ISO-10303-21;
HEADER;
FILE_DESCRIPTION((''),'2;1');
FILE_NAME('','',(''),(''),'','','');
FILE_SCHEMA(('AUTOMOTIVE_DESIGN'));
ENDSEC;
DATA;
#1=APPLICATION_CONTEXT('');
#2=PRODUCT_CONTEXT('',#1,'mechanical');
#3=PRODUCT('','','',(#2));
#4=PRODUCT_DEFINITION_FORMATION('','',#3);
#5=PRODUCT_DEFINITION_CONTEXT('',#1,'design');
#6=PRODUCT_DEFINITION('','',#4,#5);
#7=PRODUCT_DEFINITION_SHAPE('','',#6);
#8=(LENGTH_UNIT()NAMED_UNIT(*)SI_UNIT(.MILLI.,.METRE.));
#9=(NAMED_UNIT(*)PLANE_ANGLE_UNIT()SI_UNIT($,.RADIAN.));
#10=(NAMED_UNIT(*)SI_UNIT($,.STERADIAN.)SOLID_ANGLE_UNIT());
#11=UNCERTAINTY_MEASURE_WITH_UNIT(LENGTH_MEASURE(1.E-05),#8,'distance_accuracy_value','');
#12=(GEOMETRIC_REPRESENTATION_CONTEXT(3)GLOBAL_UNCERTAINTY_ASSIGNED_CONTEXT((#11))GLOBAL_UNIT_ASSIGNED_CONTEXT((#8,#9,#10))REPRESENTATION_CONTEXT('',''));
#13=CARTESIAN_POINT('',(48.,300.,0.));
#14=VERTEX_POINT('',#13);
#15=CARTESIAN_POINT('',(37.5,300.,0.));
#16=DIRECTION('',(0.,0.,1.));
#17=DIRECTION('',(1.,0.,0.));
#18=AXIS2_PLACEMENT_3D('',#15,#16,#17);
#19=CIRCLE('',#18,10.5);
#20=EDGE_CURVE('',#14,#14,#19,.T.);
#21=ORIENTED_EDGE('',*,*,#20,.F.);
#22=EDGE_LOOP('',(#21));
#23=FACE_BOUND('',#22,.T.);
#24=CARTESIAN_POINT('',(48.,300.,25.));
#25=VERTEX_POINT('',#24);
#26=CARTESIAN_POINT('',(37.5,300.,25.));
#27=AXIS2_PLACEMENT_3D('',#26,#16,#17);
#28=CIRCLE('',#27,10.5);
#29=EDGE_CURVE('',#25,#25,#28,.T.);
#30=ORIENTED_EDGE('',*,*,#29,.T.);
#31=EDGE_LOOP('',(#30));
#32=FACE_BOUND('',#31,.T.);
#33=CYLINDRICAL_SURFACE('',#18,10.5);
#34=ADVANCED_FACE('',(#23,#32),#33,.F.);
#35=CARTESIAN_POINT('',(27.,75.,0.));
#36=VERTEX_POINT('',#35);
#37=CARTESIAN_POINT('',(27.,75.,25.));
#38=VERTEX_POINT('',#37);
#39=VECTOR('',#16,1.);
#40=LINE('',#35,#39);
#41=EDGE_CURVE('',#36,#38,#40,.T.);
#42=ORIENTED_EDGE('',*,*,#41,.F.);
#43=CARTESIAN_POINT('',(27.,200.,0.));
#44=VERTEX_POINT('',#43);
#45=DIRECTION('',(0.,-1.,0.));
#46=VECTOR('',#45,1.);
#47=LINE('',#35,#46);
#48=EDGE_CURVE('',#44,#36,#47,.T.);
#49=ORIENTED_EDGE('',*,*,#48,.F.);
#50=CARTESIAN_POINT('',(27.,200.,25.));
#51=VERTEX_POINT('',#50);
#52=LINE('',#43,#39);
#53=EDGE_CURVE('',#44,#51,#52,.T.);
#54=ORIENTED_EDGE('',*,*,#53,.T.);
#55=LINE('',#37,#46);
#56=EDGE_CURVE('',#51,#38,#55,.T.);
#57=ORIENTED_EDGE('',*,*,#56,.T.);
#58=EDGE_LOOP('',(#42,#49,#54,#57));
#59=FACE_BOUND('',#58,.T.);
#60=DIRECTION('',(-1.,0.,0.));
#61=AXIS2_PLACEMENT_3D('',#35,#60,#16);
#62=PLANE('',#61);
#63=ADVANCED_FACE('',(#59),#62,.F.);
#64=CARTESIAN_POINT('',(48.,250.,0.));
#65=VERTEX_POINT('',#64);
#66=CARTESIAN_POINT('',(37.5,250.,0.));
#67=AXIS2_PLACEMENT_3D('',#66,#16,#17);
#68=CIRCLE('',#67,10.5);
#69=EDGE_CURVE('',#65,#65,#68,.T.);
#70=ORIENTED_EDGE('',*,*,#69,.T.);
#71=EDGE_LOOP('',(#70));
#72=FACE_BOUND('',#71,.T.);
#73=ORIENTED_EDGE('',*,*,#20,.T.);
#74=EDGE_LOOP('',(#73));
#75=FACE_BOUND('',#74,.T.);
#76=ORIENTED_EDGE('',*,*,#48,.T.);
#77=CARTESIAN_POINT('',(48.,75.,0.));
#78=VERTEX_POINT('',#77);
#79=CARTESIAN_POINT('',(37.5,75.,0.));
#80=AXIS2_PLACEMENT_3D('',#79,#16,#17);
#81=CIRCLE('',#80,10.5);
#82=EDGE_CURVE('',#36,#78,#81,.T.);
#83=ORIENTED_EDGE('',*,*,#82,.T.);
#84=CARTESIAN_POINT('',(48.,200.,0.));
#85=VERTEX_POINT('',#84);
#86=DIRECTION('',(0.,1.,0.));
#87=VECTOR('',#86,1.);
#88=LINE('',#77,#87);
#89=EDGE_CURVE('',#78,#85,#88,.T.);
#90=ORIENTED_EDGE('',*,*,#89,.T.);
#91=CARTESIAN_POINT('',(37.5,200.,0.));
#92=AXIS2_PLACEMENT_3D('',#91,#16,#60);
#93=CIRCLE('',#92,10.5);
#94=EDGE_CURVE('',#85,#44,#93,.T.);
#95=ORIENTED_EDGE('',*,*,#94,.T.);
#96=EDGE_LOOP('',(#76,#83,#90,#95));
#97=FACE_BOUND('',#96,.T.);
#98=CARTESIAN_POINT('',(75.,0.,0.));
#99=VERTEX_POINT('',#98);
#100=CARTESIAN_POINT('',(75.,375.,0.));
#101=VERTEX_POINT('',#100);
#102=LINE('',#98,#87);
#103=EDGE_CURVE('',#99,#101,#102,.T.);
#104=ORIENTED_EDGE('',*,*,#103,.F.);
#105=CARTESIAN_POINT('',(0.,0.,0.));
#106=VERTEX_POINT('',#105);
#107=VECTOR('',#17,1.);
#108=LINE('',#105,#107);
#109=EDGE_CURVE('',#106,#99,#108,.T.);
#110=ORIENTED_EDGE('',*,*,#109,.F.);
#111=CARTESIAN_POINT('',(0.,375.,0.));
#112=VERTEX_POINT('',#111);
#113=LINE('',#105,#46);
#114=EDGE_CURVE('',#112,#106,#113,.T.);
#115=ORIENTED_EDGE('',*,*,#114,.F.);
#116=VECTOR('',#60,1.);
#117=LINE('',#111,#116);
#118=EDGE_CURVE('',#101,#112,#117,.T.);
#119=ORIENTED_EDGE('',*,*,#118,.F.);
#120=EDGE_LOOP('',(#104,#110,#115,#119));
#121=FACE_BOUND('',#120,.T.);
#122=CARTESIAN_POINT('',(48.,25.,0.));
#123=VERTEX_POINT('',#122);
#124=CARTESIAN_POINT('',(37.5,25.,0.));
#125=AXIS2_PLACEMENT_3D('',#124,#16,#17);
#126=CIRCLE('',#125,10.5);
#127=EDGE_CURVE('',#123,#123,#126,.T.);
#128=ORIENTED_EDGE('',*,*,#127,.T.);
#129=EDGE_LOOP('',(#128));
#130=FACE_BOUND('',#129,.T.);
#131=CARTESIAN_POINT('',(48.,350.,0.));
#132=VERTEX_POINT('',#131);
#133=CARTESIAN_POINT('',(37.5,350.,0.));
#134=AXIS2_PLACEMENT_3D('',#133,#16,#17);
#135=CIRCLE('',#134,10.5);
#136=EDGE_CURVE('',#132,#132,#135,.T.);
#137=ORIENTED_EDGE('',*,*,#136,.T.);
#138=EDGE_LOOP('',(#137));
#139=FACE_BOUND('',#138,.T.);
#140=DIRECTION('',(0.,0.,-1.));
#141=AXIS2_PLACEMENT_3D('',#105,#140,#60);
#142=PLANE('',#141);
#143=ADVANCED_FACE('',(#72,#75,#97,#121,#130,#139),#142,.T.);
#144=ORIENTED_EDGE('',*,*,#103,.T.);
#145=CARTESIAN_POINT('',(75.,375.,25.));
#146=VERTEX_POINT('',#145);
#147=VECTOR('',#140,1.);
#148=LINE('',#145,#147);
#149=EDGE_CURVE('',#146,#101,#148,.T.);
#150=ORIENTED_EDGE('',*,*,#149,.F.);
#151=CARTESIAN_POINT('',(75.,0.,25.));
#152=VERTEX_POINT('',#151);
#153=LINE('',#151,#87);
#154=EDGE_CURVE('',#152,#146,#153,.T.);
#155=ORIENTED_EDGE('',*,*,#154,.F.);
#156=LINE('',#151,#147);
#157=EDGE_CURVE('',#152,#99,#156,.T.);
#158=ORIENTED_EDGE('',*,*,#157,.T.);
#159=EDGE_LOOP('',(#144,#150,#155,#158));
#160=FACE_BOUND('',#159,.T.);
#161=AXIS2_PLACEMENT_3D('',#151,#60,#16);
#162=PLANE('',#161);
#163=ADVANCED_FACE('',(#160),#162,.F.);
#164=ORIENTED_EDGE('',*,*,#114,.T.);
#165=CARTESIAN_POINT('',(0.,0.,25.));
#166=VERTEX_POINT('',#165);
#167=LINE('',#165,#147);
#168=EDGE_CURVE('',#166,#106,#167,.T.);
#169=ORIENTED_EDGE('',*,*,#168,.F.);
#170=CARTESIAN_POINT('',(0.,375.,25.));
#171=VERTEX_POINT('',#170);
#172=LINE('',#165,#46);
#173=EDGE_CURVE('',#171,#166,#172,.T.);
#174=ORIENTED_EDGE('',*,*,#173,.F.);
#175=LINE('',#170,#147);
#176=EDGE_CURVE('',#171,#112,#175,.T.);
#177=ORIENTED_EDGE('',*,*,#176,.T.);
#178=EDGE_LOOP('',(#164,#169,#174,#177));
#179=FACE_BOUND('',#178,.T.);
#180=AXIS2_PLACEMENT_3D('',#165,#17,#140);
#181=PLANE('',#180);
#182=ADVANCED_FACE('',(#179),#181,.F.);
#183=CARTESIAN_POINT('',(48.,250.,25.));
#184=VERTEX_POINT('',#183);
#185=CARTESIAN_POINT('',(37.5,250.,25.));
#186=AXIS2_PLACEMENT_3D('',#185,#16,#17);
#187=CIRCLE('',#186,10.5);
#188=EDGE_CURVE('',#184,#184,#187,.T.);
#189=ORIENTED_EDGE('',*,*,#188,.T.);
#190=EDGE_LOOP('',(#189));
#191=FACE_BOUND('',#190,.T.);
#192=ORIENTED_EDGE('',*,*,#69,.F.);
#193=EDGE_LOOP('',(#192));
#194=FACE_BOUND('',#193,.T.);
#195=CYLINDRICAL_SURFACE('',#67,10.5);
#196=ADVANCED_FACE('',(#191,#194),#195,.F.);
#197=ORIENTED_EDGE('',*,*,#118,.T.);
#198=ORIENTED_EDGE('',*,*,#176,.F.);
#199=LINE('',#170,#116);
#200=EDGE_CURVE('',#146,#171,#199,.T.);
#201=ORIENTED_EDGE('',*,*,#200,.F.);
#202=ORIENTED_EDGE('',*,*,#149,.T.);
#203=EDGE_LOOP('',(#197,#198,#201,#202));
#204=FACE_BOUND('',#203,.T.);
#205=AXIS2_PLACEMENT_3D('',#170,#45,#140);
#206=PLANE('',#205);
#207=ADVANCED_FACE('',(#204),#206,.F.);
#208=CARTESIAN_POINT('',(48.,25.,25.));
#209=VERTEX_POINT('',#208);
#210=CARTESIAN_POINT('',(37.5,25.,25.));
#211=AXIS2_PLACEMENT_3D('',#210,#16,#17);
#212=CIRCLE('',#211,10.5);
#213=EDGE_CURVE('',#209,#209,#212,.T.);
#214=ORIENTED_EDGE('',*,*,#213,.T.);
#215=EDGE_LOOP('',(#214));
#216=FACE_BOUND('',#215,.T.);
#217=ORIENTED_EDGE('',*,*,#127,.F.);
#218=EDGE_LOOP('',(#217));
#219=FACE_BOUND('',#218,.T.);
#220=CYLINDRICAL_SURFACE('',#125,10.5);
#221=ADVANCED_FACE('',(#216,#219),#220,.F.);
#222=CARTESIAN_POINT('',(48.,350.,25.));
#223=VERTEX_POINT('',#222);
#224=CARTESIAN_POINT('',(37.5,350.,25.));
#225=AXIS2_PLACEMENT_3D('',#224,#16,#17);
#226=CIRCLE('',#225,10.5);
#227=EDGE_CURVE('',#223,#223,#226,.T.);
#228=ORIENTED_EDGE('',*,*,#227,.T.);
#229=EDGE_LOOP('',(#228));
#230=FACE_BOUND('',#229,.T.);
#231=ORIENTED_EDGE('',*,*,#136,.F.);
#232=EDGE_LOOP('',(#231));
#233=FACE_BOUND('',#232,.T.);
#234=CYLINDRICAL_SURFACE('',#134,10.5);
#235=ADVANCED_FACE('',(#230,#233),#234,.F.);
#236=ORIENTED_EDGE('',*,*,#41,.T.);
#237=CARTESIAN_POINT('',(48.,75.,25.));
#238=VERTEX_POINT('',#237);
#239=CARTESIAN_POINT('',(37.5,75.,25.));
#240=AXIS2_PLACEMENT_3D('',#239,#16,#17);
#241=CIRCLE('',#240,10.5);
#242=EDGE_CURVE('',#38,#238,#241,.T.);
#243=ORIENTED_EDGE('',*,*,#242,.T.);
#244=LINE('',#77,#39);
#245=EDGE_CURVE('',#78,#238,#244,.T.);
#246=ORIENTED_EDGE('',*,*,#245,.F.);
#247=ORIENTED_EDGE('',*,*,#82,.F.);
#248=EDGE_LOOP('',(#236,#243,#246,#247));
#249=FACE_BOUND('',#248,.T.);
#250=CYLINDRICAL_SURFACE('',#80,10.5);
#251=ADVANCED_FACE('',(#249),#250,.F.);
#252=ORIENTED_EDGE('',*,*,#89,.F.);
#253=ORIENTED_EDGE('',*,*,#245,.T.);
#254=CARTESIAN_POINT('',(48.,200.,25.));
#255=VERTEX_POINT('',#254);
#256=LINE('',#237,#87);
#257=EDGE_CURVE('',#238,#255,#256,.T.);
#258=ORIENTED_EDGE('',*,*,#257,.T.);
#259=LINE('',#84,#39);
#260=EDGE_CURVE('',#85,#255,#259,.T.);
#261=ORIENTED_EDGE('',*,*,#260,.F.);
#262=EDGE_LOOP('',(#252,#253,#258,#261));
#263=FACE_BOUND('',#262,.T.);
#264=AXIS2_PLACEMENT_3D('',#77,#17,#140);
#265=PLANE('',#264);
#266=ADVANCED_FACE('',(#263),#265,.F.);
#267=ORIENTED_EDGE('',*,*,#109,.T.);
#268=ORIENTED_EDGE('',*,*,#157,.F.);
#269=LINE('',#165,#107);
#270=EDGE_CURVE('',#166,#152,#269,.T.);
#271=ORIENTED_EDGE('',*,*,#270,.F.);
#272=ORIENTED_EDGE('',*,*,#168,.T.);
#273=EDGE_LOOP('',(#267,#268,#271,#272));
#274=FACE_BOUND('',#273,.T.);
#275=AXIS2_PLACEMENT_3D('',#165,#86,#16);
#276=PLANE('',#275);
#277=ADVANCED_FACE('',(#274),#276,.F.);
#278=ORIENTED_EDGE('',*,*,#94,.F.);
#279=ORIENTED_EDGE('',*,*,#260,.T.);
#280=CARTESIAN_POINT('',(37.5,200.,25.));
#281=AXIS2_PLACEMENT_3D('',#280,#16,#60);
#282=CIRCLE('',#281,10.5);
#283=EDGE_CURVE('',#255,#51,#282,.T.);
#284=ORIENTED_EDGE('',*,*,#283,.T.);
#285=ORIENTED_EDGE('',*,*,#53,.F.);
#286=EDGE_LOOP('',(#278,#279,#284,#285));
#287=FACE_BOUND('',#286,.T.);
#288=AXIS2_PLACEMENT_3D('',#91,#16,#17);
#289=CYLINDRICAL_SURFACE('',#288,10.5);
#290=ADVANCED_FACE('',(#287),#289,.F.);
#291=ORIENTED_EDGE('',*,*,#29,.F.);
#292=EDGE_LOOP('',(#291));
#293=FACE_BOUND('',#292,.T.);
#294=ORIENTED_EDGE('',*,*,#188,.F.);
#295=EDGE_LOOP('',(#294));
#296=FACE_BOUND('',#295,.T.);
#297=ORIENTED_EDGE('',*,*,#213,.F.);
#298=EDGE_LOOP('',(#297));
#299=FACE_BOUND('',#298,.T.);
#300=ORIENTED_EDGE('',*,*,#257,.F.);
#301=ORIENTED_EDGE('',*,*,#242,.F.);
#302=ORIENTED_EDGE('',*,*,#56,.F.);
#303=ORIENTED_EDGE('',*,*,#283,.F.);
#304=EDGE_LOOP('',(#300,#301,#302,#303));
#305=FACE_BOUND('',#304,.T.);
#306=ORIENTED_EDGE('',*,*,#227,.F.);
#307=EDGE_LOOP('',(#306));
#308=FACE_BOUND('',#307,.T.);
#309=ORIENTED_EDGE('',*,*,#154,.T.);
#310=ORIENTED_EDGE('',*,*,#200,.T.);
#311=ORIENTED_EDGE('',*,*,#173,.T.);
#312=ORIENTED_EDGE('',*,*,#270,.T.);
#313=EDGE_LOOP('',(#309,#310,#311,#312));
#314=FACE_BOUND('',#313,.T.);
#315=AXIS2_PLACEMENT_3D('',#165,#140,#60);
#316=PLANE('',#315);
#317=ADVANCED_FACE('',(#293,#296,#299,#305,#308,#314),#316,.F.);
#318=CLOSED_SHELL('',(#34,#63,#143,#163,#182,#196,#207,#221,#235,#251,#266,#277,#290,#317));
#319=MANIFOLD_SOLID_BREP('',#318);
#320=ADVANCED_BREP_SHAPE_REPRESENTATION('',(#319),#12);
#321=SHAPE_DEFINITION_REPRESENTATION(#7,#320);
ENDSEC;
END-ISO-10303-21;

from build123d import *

# Parameters (mm, degrees)
SKETCH_1_W          = 75
SKETCH_1_H          = 375
EXTRUDE_1_DEPTH     = 25
SKETCH_2_R          = 10.5
CUT_EXTRUDE_1_DEPTH = 26


with BuildPart() as part:
    # Эскиз1 → Бобышка-Вытянуть1 (new body)
    with BuildSketch(Plane.XY):
        with Locations((37.5, 187.5)):
            Rectangle(SKETCH_1_W, SKETCH_1_H)
    extrude(amount=EXTRUDE_1_DEPTH)

    # Эскиз2 → Вырез-Вытянуть1 (cut, through all)
    with BuildSketch(Plane.XY.offset(25)):
        with Locations((37.5, 250)):
            Circle(SKETCH_2_R)
        with Locations((37.5, 300)):
            Circle(SKETCH_2_R)
        with Locations((37.5, 350)):
            Circle(SKETCH_2_R)
        with Locations((37.5, 25)):
            Circle(SKETCH_2_R)
        with BuildLine():
            Line((27, 75), (27, 200))
            ThreePointArc((27, 200), (37.5, 210.5), (48, 200))
            Line((48, 200), (48, 75))
            ThreePointArc((48, 75), (37.5, 64.5), (27, 75))
        make_face()
    extrude(amount=-CUT_EXTRUDE_1_DEPTH, mode=Mode.SUBTRACT)


solid = part.part
